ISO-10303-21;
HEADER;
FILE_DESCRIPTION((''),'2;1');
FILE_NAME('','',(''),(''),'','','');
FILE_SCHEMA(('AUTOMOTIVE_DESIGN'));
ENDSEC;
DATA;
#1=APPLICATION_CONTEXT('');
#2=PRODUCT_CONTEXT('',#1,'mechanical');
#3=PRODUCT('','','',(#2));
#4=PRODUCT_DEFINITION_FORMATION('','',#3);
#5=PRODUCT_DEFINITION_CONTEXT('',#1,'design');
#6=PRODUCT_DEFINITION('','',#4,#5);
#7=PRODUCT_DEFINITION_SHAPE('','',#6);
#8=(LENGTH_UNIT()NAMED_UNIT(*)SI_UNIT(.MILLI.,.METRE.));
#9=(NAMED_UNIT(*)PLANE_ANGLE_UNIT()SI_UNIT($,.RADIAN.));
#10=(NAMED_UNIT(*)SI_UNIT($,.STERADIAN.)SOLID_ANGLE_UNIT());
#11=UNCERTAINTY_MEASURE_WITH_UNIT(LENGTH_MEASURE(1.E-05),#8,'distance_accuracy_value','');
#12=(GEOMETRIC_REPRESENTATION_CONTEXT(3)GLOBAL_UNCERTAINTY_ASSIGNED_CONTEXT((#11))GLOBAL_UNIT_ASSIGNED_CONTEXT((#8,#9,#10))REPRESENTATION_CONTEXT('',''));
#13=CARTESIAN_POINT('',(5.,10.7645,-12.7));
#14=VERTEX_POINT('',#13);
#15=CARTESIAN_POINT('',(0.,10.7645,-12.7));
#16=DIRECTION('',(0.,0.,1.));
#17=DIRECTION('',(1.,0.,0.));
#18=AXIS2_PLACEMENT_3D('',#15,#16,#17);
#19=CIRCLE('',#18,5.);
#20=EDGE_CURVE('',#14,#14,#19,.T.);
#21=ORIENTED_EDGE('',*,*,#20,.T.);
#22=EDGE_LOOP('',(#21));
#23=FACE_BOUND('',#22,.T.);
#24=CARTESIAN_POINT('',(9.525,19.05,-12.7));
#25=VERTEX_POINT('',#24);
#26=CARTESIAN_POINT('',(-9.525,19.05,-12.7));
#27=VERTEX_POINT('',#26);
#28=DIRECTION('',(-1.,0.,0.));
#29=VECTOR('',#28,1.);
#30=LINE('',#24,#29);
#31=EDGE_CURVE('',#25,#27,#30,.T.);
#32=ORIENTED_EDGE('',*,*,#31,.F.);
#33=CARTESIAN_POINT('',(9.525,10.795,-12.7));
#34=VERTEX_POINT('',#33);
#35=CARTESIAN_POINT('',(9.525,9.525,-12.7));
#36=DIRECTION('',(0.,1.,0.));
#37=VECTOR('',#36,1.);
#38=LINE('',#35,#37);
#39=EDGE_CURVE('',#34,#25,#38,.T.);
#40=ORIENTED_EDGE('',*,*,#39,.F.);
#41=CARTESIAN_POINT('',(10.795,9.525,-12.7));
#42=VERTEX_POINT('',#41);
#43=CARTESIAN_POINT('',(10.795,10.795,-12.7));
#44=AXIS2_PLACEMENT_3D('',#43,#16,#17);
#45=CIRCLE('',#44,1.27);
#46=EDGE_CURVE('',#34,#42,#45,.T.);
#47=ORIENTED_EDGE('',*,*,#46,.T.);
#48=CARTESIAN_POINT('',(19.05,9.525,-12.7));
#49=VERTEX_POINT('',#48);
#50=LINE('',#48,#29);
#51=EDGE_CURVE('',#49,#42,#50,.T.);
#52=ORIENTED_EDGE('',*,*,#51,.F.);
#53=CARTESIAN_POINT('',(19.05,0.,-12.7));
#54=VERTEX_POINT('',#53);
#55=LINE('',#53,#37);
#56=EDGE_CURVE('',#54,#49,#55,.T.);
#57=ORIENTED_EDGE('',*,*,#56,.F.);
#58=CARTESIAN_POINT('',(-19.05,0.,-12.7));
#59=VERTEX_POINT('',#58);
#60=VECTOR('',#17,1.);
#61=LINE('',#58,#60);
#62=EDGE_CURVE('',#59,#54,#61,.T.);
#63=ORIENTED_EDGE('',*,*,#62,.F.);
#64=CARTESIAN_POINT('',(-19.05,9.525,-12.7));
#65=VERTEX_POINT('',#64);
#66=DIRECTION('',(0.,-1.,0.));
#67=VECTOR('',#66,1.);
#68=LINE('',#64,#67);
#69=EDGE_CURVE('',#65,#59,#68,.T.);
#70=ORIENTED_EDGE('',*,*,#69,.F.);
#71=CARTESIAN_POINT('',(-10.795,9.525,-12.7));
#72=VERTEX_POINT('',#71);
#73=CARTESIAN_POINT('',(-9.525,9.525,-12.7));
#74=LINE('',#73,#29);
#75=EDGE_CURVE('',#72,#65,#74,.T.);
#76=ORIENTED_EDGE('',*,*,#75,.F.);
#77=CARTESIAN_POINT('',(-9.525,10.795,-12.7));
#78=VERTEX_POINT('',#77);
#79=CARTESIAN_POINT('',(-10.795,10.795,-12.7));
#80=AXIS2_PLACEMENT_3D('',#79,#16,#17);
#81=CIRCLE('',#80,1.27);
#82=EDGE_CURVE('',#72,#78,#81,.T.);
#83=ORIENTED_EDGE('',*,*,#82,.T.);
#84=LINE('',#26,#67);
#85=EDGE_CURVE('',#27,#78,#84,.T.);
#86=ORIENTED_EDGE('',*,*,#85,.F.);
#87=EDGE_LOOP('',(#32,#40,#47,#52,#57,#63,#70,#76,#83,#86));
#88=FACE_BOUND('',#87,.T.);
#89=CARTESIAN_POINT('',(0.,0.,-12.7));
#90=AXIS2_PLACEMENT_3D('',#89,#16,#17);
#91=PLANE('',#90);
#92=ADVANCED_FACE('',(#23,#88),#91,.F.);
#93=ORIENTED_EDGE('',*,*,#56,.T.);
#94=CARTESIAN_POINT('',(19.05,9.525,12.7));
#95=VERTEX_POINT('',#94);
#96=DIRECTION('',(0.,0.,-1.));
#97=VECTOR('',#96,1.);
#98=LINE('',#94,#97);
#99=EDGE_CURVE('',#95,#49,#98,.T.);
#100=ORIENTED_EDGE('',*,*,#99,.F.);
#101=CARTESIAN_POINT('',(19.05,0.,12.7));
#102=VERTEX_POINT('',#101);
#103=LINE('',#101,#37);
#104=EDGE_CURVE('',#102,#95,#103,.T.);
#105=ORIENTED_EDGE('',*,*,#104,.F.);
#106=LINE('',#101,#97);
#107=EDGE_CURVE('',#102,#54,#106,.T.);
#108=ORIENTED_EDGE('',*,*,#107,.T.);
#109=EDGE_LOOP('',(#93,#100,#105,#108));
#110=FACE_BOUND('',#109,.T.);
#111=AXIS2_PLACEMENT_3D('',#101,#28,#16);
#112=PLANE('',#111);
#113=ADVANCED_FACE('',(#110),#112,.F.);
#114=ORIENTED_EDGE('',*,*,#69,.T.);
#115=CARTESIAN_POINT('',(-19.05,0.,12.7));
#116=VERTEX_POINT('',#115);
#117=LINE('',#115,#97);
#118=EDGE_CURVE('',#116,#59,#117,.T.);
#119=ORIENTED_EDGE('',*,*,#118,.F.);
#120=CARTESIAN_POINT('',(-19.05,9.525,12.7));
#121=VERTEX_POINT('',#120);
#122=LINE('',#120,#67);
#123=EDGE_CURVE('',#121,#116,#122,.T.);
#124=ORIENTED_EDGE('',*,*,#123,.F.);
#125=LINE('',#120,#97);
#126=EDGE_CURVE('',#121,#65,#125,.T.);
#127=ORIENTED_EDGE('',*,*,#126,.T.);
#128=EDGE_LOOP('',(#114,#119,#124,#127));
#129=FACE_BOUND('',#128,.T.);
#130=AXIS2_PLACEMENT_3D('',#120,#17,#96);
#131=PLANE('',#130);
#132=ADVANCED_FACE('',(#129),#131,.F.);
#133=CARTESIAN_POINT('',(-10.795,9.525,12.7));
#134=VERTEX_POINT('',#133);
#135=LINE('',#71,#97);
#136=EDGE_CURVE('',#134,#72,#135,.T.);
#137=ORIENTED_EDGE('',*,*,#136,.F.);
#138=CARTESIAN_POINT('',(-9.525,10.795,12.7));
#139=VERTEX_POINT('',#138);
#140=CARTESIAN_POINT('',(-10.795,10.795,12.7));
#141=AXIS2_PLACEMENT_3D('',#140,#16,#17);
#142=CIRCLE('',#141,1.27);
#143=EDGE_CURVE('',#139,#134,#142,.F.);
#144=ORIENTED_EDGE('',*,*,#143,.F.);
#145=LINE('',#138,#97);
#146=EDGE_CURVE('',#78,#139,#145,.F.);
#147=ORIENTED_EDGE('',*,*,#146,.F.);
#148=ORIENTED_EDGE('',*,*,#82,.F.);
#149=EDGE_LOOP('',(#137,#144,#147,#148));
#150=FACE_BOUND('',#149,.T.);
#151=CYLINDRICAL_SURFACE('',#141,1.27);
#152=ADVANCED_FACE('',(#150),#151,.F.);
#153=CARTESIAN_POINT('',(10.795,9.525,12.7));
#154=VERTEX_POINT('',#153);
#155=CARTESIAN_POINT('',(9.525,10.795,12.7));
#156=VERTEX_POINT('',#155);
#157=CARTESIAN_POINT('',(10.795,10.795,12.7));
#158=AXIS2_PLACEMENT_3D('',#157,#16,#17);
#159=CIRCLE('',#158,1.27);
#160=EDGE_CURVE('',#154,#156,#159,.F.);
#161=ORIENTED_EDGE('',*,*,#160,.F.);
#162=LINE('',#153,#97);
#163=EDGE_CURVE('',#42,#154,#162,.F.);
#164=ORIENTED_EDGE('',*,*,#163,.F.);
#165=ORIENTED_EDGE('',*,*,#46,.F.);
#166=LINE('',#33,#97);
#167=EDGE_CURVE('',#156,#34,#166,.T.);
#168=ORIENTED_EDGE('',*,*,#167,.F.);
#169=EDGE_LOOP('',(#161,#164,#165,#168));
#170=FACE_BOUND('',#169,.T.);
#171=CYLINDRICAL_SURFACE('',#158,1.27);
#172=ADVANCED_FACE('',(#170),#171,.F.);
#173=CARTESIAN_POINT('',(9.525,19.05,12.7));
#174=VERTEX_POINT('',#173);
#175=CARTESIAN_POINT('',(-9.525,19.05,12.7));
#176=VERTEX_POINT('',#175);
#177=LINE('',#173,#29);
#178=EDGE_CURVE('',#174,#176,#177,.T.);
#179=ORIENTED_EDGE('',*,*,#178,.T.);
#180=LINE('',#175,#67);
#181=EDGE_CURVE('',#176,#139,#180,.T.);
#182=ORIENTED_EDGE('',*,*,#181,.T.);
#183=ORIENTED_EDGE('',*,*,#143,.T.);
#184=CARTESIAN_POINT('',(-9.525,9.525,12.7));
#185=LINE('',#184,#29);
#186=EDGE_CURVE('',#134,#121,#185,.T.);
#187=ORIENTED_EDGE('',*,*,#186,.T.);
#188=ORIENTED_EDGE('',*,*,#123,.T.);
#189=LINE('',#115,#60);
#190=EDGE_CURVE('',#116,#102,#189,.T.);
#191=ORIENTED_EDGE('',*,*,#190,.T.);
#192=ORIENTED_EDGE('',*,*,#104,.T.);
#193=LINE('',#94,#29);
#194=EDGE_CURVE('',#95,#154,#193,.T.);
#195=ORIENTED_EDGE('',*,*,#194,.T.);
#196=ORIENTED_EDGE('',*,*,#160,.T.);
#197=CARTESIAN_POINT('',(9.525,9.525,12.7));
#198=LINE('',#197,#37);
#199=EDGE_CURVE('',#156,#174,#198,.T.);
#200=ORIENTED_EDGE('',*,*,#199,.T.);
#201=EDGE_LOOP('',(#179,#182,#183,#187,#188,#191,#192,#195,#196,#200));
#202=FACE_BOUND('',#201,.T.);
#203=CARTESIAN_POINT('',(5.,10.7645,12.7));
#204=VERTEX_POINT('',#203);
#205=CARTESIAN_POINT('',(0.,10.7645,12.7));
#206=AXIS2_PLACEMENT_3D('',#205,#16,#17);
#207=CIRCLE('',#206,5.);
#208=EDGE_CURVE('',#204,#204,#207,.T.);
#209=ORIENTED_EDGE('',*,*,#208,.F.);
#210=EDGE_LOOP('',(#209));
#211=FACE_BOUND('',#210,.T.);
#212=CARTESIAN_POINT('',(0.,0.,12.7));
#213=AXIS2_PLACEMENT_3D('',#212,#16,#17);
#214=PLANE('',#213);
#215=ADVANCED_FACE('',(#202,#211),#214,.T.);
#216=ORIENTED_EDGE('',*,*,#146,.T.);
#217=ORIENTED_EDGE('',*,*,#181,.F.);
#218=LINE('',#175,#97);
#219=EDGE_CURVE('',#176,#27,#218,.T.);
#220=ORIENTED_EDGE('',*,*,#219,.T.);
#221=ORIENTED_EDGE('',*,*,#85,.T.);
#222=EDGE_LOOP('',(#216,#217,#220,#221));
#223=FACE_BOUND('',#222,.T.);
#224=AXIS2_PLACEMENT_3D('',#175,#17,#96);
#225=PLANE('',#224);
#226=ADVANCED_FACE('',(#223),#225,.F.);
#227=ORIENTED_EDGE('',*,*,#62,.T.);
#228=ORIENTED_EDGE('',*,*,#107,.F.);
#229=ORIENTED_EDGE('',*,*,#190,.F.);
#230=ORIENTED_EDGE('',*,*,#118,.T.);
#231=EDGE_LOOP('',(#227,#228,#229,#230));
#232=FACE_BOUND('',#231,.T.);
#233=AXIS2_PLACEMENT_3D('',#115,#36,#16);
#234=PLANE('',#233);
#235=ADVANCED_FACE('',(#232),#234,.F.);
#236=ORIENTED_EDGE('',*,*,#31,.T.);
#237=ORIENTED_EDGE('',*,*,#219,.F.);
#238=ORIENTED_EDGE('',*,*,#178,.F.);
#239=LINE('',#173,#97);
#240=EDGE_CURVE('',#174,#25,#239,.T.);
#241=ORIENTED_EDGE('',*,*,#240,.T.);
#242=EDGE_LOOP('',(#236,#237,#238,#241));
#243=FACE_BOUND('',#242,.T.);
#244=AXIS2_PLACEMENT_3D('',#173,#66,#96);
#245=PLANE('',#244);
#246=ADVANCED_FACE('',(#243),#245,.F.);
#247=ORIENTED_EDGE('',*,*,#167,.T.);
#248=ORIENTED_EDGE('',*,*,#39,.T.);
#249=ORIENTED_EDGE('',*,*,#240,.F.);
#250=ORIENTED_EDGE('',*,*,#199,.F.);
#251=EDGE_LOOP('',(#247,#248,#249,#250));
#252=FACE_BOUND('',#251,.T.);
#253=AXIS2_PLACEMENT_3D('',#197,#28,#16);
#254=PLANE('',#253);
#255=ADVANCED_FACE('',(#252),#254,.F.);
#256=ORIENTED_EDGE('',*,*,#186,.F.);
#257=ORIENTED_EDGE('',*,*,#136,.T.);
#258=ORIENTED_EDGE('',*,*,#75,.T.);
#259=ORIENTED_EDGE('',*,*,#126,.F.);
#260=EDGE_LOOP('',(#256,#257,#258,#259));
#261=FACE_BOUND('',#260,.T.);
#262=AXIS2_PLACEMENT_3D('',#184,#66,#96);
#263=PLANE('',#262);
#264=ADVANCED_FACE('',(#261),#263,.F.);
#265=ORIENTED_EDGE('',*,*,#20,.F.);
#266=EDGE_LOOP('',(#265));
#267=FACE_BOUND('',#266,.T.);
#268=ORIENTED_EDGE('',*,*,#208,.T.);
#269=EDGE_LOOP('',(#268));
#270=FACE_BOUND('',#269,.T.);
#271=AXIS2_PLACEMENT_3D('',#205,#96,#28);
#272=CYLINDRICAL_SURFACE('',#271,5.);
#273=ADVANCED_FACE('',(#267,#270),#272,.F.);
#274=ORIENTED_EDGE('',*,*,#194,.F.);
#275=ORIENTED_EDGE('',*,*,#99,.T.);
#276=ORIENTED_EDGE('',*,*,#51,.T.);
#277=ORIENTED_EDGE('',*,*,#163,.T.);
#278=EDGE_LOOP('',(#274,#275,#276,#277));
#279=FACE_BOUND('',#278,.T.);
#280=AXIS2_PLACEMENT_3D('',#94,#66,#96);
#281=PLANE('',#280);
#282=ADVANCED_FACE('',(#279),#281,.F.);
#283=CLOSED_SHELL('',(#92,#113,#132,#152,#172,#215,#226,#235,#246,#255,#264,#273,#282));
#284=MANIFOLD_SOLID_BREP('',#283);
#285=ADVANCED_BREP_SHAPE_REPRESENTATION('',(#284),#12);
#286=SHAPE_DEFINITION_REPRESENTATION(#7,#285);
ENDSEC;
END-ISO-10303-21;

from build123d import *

# Parameters (mm, degrees)
SKETCH1_R           = 5
BOSS_EXTRUDE1_DEPTH = 12.7
FILLET1_R           = 1.27


with BuildPart() as part:
    # Sketch1 → Boss-Extrude1 (new body, symmetric)
    with BuildSketch(Plane.XY):
        Polygon((-19.05, 0), (19.05, 0), (19.05, 9.525), (9.525, 9.525), (9.525, 19.05), (-9.525, 19.05), (-9.525, 9.525), (-19.05, 9.525), align=None)
        with Locations((0, 10.764499551)):
            Circle(SKETCH1_R, mode=Mode.SUBTRACT)
    extrude(amount=BOSS_EXTRUDE1_DEPTH, both=True)

    # Fillet1
    fillet1_edges = [part.edges().sort_by_distance(p)[0] for p in [
        (-9.525, 9.525, 0),
        (9.525, 9.525, 0),
    ]]
    fillet(fillet1_edges, radius=FILLET1_R)


solid = part.part
